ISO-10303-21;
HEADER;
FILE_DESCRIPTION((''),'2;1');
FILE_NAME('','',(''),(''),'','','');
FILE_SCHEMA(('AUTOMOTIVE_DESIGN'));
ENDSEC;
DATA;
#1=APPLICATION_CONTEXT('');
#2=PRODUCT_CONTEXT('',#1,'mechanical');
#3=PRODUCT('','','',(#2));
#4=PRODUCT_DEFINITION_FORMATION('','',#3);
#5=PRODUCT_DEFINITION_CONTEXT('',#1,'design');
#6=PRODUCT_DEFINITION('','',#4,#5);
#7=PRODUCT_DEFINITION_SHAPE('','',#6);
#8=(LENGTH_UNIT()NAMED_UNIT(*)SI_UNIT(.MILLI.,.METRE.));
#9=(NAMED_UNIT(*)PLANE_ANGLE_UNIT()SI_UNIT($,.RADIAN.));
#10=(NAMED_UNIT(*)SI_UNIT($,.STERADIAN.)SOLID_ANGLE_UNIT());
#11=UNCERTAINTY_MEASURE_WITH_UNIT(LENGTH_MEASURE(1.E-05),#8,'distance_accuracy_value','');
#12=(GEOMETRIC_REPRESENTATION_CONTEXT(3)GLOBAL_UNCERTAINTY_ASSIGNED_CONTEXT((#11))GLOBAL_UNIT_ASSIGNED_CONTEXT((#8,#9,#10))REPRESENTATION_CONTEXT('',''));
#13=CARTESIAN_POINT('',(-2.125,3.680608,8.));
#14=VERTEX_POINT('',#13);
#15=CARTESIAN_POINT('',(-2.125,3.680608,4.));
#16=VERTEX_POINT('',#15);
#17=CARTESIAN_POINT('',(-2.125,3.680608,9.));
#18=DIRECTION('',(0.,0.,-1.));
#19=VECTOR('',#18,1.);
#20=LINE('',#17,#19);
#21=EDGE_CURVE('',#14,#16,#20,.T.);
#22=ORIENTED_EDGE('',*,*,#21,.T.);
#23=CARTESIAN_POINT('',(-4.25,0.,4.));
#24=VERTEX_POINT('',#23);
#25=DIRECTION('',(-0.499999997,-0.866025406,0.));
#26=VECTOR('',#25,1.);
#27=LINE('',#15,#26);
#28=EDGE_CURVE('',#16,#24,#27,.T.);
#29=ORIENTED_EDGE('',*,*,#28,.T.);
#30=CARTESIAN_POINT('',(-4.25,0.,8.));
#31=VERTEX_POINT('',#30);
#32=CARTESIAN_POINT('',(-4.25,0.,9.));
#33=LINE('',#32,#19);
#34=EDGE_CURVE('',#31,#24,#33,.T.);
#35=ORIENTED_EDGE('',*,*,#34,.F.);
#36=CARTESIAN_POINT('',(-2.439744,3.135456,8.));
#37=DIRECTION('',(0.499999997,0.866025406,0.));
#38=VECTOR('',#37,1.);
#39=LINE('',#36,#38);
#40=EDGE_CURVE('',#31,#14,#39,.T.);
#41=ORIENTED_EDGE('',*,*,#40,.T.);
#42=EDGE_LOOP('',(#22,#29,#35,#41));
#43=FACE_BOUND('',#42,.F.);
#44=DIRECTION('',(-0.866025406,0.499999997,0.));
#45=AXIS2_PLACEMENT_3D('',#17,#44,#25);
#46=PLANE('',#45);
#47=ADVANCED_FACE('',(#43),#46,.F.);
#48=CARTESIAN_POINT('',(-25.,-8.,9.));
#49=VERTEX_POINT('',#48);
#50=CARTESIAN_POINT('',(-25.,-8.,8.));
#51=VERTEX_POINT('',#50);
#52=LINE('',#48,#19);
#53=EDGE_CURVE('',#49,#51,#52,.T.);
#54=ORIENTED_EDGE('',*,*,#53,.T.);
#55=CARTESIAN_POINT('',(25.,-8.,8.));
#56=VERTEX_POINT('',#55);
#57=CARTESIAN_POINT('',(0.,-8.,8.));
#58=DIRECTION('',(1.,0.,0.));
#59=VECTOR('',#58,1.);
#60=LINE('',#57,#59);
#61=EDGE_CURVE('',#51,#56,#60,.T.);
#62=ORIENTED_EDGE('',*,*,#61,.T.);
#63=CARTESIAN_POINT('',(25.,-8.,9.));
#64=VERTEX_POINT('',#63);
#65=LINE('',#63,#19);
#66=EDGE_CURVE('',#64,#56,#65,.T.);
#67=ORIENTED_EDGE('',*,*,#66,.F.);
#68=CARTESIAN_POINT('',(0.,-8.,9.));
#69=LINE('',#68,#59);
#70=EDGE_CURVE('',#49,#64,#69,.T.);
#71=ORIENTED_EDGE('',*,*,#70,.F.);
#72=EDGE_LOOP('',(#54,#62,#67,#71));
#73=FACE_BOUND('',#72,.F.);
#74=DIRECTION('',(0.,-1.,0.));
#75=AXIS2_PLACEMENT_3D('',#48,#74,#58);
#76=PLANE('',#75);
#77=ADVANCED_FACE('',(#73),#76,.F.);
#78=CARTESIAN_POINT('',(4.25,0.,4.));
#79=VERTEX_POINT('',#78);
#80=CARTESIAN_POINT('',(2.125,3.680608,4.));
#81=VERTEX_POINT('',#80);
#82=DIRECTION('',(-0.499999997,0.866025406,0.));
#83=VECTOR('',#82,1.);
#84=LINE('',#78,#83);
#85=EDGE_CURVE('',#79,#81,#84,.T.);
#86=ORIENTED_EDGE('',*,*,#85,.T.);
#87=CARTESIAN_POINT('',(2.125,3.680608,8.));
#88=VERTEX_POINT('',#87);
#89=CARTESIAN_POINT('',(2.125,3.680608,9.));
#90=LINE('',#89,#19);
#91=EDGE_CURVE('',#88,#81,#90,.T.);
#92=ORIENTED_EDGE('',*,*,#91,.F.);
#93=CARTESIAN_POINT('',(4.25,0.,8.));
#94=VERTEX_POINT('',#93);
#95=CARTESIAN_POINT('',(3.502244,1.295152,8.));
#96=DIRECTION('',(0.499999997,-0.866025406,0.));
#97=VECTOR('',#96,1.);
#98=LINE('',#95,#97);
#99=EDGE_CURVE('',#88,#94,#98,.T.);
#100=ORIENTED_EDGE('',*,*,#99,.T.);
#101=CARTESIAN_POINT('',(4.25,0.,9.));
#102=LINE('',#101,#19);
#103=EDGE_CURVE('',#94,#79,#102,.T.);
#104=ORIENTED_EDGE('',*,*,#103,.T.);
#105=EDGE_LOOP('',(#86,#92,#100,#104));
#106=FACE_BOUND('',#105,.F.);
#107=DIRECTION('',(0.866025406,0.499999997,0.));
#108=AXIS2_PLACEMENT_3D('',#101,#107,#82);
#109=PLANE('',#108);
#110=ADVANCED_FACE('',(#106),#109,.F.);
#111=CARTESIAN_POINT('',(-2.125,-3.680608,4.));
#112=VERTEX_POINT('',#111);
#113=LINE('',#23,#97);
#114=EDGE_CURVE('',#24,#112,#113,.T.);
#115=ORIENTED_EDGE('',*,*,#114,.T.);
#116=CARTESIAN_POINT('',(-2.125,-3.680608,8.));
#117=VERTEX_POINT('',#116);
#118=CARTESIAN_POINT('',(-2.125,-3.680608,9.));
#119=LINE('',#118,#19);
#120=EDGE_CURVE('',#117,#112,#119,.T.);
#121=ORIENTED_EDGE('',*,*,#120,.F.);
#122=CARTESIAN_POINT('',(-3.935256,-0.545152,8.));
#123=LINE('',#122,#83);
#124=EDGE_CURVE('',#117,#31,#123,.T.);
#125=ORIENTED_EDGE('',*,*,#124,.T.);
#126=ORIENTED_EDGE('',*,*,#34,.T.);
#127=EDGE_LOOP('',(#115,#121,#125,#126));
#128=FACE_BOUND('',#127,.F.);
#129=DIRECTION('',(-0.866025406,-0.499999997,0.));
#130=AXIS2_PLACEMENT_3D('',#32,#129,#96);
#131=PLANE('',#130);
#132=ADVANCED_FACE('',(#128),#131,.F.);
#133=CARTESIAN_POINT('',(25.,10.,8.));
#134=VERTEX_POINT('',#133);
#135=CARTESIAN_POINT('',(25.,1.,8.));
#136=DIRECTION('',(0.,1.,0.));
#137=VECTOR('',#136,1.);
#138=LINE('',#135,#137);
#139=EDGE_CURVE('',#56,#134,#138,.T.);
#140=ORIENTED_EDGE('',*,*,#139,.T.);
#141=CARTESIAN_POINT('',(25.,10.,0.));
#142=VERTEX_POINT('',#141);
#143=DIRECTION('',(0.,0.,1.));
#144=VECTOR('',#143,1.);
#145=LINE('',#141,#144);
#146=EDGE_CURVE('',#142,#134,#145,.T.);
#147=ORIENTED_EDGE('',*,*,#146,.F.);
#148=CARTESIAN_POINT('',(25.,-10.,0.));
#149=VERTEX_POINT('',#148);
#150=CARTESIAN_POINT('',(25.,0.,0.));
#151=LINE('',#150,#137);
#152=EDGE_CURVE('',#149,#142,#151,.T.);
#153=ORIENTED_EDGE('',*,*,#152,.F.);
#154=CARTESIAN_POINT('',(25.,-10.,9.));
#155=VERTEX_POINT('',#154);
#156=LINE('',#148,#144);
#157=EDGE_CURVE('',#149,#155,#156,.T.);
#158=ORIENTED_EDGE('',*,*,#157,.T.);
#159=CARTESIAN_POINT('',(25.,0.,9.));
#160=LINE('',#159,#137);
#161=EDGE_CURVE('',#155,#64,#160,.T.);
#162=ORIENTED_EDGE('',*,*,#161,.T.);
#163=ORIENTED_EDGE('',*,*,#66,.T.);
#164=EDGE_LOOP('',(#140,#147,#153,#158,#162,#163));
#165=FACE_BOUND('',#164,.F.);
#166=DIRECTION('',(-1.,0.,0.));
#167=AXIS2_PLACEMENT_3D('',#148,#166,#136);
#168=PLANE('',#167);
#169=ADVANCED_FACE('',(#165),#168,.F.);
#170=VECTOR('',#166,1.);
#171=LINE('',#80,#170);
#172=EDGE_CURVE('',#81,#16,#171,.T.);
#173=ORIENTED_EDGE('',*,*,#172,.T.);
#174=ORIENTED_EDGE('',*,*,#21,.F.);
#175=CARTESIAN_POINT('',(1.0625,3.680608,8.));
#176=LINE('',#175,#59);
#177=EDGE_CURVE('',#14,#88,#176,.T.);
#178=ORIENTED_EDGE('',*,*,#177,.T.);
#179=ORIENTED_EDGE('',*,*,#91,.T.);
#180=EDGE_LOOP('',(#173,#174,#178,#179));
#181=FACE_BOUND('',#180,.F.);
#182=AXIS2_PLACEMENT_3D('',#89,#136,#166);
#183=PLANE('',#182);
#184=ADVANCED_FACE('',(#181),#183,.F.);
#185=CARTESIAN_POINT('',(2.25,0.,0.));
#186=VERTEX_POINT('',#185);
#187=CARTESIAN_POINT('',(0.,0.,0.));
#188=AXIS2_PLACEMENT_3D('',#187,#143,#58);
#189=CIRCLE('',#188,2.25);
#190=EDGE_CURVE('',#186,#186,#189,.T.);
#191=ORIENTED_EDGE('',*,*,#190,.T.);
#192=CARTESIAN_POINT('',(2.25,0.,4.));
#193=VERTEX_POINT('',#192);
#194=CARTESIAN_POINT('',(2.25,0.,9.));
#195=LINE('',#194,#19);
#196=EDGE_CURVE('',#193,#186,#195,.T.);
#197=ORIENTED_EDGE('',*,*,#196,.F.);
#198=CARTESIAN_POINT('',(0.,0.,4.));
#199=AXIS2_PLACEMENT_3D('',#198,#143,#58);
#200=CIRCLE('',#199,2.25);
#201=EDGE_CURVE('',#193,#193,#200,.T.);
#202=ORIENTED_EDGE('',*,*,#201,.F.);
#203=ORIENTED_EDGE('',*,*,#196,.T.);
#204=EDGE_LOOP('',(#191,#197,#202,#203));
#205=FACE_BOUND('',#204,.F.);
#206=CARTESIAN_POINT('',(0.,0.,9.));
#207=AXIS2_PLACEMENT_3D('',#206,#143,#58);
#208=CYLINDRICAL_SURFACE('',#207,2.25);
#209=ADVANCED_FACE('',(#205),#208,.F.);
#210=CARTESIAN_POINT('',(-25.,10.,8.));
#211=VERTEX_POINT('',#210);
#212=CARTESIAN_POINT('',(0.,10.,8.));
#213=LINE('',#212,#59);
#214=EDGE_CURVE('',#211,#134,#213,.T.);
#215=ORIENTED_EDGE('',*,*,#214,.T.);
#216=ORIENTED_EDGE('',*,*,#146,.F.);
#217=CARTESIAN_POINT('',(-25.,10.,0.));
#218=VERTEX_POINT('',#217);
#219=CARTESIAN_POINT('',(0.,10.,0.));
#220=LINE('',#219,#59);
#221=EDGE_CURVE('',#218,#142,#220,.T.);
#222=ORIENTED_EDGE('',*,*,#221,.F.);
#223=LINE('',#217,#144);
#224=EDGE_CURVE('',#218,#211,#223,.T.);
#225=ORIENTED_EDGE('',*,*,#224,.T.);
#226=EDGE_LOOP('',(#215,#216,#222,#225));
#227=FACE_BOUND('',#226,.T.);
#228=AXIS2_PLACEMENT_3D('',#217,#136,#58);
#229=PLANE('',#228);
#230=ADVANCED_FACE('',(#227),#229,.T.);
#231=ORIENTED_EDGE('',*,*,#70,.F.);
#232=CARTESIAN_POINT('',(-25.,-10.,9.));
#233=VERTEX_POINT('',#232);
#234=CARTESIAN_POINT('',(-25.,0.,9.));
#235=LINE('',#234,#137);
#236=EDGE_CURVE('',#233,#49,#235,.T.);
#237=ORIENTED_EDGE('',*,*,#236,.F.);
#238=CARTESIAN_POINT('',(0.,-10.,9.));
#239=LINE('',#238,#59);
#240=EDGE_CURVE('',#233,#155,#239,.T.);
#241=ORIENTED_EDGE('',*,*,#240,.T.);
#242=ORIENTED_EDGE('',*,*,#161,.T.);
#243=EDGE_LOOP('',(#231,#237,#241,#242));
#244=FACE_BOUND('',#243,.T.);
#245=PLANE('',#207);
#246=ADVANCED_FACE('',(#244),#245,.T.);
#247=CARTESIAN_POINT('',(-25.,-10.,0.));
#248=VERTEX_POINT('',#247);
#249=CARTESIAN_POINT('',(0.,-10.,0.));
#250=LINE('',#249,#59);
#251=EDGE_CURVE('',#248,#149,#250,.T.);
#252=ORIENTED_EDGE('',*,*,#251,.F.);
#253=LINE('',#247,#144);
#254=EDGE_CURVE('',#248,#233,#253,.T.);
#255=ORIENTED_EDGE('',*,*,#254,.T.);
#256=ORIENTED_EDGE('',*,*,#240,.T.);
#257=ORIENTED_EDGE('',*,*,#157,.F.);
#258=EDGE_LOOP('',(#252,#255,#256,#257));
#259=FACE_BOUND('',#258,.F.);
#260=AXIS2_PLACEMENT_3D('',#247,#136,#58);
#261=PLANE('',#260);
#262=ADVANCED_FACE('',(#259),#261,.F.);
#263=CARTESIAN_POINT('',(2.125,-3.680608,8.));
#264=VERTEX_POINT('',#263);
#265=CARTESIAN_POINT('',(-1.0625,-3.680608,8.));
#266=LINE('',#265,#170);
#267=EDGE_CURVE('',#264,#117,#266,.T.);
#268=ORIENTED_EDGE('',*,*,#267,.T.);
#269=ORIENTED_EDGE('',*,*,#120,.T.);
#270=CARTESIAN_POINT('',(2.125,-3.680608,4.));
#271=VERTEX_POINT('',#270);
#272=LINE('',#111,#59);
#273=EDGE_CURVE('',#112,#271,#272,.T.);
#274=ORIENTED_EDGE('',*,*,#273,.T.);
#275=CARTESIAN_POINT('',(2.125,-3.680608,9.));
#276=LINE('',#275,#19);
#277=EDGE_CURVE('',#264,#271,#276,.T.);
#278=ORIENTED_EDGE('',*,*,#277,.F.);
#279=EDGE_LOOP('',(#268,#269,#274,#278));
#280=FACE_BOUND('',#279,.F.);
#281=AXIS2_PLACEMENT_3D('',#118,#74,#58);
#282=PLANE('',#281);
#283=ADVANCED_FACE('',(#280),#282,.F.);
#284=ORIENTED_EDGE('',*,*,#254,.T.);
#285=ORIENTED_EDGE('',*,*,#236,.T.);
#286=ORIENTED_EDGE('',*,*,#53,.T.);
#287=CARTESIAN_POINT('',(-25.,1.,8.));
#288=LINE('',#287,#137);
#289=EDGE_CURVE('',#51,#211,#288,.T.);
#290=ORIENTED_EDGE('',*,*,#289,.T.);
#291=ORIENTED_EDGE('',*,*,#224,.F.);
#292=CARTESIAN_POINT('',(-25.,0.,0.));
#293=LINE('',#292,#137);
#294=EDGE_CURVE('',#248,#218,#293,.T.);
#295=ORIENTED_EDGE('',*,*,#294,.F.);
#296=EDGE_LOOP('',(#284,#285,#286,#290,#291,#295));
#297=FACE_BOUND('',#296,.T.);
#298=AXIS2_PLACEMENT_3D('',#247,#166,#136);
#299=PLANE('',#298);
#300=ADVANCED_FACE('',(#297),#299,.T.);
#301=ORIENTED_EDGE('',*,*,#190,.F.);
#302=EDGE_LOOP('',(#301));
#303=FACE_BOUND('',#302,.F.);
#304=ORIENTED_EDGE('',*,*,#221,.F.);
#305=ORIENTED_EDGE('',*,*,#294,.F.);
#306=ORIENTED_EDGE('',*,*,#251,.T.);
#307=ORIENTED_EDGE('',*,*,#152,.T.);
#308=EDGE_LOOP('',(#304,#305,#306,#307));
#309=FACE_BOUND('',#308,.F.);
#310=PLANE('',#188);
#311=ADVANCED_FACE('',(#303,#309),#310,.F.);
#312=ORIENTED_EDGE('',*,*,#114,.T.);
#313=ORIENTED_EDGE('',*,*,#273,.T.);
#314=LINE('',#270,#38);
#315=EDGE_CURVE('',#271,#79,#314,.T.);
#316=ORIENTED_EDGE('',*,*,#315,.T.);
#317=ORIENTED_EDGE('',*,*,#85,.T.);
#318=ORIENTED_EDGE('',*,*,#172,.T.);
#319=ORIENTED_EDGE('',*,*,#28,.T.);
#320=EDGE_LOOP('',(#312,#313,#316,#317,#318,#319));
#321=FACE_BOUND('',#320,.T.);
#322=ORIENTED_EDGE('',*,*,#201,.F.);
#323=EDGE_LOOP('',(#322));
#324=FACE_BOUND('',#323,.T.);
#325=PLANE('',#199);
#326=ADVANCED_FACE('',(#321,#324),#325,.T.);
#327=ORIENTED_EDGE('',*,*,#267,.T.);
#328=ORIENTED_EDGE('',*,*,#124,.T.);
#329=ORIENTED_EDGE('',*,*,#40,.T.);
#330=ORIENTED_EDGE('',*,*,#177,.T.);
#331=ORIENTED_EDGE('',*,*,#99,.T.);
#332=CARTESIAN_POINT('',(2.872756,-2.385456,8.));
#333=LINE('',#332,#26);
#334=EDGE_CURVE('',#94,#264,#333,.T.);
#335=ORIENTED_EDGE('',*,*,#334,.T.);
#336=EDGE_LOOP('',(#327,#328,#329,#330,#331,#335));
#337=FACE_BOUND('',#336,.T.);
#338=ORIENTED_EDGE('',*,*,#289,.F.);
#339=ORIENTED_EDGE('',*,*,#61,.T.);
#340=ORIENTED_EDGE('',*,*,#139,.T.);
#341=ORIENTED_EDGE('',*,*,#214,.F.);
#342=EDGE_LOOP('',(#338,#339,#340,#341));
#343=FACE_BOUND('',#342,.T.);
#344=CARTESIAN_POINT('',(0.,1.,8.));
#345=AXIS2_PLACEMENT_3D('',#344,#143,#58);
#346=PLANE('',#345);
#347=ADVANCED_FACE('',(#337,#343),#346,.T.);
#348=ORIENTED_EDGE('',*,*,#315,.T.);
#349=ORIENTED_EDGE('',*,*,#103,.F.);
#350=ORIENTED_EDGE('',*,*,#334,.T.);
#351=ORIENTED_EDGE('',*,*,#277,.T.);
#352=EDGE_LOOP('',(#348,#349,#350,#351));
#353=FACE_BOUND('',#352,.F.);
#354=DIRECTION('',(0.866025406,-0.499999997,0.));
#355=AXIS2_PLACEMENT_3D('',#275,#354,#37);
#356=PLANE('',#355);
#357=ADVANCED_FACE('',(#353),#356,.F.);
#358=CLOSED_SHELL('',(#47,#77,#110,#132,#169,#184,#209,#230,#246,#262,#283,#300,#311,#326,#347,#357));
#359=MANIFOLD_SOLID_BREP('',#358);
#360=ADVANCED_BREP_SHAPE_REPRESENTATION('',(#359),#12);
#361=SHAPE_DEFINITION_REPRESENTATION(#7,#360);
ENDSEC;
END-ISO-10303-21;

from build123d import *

# Parameters (mm, degrees)
SKETCH_W        = 50
SKETCH_H        = 20
PAD_DEPTH       = 9
SKETCH001_R     = 2.25
POCKET_DEPTH    = 9
POCKET001_DEPTH = 5
SKETCH003_W     = 50
SKETCH003_H     = 18
POCKET002_DEPTH = 1


with BuildPart() as part:
    # Sketch → Pad (new body)
    with BuildSketch(Plane.XY):
        Rectangle(SKETCH_W, SKETCH_H)
    extrude(amount=PAD_DEPTH)

    # Sketch001 (on DatumPlane) → Pocket (cut)
    with BuildSketch(Plane.XY.offset(9)):
        Circle(SKETCH001_R)
    extrude(amount=-POCKET_DEPTH, mode=Mode.SUBTRACT)

    # Sketch002 (on DatumPlane) → Pocket001 (cut)
    with BuildSketch(Plane.XY.offset(9)):
        Polygon((2.125, -3.680608), (4.25, 0), (2.125, 3.680608), (-2.125, 3.680608), (-4.25, 0), (-2.125, -3.680608), align=None)
    extrude(amount=-POCKET001_DEPTH, mode=Mode.SUBTRACT)

    # Sketch003 (on DatumPlane) → Pocket002 (cut)
    with BuildSketch(Plane.XY.offset(9)):
        with Locations((0, 1)):
            Rectangle(SKETCH003_W, SKETCH003_H)
    extrude(amount=-POCKET002_DEPTH, mode=Mode.SUBTRACT)


solid = part.part
